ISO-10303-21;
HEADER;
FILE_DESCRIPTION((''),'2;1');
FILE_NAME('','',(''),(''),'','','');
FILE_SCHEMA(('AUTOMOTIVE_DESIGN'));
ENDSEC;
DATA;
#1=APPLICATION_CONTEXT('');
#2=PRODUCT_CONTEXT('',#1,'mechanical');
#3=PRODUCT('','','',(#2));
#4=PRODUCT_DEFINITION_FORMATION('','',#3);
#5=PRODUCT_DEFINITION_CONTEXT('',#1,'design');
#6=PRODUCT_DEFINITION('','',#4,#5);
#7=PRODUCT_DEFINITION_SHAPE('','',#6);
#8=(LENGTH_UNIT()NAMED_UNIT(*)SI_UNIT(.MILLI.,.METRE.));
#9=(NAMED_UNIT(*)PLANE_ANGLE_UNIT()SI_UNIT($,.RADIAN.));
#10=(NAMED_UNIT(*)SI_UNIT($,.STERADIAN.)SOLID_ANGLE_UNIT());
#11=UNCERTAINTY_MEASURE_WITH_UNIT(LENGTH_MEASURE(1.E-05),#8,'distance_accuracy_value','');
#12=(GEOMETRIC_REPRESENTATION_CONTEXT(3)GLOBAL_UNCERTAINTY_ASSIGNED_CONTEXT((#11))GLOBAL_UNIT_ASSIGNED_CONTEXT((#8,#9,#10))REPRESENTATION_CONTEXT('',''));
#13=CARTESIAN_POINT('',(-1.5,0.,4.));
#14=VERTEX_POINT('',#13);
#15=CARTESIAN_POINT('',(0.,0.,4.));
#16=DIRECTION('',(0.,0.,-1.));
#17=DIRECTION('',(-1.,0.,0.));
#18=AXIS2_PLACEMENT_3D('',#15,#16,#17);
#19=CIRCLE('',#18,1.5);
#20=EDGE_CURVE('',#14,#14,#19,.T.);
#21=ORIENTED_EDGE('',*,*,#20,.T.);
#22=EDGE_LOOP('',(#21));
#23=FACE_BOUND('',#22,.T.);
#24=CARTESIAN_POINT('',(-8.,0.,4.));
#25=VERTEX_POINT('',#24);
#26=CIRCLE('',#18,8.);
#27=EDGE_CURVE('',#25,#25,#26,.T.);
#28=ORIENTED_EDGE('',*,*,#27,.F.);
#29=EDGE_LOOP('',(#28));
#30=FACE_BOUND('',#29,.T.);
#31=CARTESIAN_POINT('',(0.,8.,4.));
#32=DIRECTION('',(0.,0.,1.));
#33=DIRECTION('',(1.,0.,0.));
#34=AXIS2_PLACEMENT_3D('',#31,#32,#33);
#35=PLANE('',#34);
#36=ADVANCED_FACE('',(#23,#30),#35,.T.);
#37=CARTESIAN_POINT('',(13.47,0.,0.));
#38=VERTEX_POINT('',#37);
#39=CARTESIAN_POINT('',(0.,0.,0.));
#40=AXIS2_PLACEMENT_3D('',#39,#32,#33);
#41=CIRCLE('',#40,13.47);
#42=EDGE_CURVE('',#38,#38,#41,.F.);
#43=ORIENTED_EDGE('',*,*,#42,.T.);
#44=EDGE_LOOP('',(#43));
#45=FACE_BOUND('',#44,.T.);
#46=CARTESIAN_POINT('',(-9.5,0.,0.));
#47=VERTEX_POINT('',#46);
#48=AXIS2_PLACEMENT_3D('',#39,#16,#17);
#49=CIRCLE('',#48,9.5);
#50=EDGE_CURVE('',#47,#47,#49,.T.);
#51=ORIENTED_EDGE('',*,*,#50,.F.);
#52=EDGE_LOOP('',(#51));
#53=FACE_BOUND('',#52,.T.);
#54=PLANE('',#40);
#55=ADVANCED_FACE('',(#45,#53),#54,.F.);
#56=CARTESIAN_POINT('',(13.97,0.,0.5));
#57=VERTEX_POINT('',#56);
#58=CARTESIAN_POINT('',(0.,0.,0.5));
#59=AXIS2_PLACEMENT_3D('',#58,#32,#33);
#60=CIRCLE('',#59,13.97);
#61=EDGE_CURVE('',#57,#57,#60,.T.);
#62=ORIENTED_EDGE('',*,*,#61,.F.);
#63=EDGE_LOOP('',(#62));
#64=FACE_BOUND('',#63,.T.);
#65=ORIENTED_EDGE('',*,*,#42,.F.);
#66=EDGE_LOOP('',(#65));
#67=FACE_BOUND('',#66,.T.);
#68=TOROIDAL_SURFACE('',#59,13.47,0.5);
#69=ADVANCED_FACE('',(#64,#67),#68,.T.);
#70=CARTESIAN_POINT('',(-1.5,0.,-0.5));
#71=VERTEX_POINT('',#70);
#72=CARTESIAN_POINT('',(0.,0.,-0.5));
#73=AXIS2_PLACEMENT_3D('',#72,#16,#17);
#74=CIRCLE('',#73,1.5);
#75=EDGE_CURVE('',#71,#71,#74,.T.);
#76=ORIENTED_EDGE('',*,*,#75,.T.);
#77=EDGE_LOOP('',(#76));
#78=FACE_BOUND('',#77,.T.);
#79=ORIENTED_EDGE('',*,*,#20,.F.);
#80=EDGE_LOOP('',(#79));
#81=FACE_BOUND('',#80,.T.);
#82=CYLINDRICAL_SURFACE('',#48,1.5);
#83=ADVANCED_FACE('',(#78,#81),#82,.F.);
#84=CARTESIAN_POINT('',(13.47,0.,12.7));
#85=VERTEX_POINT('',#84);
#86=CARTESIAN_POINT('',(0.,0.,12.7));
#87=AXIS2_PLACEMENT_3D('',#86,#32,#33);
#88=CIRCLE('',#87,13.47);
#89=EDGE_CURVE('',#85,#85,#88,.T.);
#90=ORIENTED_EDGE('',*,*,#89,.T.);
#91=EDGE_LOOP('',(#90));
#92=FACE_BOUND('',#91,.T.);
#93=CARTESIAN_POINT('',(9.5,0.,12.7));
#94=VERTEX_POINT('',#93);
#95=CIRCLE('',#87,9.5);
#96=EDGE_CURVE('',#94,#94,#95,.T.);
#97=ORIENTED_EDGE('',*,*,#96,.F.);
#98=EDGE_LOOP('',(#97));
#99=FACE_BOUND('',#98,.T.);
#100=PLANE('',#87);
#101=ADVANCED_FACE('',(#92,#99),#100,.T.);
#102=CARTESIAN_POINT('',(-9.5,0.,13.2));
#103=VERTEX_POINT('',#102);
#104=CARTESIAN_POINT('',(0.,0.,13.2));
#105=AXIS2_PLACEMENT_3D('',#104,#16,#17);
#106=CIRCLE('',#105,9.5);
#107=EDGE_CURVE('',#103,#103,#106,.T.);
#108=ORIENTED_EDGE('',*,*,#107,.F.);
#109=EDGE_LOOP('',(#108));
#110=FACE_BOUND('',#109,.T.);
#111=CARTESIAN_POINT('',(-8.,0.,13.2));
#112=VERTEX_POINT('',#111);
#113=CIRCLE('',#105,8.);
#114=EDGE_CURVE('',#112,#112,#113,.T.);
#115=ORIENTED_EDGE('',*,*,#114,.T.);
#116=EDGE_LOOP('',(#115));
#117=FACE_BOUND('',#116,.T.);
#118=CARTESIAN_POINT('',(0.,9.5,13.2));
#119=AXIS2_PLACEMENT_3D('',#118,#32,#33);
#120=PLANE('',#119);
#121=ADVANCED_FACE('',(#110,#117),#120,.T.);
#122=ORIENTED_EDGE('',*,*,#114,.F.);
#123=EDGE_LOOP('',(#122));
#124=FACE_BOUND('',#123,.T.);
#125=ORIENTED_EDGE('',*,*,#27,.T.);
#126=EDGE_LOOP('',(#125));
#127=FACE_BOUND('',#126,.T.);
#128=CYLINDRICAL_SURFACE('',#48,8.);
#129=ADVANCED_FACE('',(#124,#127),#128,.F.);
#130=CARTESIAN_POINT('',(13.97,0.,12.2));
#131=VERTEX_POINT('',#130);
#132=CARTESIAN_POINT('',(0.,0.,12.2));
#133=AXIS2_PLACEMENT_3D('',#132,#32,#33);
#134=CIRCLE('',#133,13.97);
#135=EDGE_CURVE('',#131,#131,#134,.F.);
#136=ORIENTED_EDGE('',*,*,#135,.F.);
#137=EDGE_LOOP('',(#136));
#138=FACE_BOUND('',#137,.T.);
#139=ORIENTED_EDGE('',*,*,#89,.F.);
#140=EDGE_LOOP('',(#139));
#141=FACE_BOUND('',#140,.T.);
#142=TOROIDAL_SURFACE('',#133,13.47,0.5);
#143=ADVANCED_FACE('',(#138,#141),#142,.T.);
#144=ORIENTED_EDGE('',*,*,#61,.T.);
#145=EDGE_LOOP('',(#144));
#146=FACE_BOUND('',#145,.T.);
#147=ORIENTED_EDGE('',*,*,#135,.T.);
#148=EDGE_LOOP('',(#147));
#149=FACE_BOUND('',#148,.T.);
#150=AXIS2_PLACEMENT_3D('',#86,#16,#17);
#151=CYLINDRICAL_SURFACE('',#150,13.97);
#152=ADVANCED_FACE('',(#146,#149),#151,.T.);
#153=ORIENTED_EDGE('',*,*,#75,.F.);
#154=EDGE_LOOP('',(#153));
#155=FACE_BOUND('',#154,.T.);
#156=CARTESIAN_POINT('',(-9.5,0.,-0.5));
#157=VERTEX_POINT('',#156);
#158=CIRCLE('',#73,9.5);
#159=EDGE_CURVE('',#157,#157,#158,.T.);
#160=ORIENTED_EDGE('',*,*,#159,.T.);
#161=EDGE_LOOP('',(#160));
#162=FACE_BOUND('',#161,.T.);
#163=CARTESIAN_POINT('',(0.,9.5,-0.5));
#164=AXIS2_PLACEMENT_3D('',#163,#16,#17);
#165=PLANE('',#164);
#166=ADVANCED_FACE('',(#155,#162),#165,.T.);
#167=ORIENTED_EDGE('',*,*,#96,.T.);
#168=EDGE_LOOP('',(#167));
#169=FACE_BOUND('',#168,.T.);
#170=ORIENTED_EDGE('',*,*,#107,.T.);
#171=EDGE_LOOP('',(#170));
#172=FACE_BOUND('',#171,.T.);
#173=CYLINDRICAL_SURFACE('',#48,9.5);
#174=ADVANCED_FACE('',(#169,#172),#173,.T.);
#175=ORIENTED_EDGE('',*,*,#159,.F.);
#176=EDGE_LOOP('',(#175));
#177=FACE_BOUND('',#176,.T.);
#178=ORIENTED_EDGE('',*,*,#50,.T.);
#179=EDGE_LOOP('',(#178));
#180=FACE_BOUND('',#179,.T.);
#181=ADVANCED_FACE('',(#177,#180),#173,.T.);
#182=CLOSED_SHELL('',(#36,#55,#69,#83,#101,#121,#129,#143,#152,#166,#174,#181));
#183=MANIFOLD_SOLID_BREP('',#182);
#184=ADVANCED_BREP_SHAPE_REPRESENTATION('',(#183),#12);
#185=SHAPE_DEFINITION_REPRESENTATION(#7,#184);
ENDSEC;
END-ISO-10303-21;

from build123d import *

# Parameters (mm, degrees)
SKETCH1_R           = 13.97
SKETCH1_R_2         = 8.5
BOSS_EXTRUDE1_DEPTH = 12.7
FILLET1_R           = 0.5


with BuildPart() as part:
    # Sketch1 → Boss-Extrude1 (new body)
    with BuildSketch(Plane.XY):
        Circle(SKETCH1_R)
        Circle(SKETCH1_R_2, mode=Mode.SUBTRACT)
    extrude(amount=BOSS_EXTRUDE1_DEPTH)

    # Fillet1
    fillet1_edges = [part.edges().sort_by_distance(p)[0] for p in [
        (-13.97, 0, 0),
        (-13.97, 0, 12.7),
    ]]
    fillet(fillet1_edges, radius=FILLET1_R)

    # Sketch2 → Revolve1 (revolve)
    with BuildSketch(Plane(origin=(0, 0, 0), x_dir=(0, 0, -1), z_dir=(1, 0, 0))):
        Polygon((0, 8.5), (-12.7, 8.5), (-12.7, 9.5), (-13.2, 9.5), (-13.2, 8), (-4, 8), (-4, 1.5), (0.5, 1.5), (0.5, 9.5), (0, 9.5), align=None)
    revolve(axis=Axis((0, 0, 0), (0, 0, 1)))


solid = part.part
